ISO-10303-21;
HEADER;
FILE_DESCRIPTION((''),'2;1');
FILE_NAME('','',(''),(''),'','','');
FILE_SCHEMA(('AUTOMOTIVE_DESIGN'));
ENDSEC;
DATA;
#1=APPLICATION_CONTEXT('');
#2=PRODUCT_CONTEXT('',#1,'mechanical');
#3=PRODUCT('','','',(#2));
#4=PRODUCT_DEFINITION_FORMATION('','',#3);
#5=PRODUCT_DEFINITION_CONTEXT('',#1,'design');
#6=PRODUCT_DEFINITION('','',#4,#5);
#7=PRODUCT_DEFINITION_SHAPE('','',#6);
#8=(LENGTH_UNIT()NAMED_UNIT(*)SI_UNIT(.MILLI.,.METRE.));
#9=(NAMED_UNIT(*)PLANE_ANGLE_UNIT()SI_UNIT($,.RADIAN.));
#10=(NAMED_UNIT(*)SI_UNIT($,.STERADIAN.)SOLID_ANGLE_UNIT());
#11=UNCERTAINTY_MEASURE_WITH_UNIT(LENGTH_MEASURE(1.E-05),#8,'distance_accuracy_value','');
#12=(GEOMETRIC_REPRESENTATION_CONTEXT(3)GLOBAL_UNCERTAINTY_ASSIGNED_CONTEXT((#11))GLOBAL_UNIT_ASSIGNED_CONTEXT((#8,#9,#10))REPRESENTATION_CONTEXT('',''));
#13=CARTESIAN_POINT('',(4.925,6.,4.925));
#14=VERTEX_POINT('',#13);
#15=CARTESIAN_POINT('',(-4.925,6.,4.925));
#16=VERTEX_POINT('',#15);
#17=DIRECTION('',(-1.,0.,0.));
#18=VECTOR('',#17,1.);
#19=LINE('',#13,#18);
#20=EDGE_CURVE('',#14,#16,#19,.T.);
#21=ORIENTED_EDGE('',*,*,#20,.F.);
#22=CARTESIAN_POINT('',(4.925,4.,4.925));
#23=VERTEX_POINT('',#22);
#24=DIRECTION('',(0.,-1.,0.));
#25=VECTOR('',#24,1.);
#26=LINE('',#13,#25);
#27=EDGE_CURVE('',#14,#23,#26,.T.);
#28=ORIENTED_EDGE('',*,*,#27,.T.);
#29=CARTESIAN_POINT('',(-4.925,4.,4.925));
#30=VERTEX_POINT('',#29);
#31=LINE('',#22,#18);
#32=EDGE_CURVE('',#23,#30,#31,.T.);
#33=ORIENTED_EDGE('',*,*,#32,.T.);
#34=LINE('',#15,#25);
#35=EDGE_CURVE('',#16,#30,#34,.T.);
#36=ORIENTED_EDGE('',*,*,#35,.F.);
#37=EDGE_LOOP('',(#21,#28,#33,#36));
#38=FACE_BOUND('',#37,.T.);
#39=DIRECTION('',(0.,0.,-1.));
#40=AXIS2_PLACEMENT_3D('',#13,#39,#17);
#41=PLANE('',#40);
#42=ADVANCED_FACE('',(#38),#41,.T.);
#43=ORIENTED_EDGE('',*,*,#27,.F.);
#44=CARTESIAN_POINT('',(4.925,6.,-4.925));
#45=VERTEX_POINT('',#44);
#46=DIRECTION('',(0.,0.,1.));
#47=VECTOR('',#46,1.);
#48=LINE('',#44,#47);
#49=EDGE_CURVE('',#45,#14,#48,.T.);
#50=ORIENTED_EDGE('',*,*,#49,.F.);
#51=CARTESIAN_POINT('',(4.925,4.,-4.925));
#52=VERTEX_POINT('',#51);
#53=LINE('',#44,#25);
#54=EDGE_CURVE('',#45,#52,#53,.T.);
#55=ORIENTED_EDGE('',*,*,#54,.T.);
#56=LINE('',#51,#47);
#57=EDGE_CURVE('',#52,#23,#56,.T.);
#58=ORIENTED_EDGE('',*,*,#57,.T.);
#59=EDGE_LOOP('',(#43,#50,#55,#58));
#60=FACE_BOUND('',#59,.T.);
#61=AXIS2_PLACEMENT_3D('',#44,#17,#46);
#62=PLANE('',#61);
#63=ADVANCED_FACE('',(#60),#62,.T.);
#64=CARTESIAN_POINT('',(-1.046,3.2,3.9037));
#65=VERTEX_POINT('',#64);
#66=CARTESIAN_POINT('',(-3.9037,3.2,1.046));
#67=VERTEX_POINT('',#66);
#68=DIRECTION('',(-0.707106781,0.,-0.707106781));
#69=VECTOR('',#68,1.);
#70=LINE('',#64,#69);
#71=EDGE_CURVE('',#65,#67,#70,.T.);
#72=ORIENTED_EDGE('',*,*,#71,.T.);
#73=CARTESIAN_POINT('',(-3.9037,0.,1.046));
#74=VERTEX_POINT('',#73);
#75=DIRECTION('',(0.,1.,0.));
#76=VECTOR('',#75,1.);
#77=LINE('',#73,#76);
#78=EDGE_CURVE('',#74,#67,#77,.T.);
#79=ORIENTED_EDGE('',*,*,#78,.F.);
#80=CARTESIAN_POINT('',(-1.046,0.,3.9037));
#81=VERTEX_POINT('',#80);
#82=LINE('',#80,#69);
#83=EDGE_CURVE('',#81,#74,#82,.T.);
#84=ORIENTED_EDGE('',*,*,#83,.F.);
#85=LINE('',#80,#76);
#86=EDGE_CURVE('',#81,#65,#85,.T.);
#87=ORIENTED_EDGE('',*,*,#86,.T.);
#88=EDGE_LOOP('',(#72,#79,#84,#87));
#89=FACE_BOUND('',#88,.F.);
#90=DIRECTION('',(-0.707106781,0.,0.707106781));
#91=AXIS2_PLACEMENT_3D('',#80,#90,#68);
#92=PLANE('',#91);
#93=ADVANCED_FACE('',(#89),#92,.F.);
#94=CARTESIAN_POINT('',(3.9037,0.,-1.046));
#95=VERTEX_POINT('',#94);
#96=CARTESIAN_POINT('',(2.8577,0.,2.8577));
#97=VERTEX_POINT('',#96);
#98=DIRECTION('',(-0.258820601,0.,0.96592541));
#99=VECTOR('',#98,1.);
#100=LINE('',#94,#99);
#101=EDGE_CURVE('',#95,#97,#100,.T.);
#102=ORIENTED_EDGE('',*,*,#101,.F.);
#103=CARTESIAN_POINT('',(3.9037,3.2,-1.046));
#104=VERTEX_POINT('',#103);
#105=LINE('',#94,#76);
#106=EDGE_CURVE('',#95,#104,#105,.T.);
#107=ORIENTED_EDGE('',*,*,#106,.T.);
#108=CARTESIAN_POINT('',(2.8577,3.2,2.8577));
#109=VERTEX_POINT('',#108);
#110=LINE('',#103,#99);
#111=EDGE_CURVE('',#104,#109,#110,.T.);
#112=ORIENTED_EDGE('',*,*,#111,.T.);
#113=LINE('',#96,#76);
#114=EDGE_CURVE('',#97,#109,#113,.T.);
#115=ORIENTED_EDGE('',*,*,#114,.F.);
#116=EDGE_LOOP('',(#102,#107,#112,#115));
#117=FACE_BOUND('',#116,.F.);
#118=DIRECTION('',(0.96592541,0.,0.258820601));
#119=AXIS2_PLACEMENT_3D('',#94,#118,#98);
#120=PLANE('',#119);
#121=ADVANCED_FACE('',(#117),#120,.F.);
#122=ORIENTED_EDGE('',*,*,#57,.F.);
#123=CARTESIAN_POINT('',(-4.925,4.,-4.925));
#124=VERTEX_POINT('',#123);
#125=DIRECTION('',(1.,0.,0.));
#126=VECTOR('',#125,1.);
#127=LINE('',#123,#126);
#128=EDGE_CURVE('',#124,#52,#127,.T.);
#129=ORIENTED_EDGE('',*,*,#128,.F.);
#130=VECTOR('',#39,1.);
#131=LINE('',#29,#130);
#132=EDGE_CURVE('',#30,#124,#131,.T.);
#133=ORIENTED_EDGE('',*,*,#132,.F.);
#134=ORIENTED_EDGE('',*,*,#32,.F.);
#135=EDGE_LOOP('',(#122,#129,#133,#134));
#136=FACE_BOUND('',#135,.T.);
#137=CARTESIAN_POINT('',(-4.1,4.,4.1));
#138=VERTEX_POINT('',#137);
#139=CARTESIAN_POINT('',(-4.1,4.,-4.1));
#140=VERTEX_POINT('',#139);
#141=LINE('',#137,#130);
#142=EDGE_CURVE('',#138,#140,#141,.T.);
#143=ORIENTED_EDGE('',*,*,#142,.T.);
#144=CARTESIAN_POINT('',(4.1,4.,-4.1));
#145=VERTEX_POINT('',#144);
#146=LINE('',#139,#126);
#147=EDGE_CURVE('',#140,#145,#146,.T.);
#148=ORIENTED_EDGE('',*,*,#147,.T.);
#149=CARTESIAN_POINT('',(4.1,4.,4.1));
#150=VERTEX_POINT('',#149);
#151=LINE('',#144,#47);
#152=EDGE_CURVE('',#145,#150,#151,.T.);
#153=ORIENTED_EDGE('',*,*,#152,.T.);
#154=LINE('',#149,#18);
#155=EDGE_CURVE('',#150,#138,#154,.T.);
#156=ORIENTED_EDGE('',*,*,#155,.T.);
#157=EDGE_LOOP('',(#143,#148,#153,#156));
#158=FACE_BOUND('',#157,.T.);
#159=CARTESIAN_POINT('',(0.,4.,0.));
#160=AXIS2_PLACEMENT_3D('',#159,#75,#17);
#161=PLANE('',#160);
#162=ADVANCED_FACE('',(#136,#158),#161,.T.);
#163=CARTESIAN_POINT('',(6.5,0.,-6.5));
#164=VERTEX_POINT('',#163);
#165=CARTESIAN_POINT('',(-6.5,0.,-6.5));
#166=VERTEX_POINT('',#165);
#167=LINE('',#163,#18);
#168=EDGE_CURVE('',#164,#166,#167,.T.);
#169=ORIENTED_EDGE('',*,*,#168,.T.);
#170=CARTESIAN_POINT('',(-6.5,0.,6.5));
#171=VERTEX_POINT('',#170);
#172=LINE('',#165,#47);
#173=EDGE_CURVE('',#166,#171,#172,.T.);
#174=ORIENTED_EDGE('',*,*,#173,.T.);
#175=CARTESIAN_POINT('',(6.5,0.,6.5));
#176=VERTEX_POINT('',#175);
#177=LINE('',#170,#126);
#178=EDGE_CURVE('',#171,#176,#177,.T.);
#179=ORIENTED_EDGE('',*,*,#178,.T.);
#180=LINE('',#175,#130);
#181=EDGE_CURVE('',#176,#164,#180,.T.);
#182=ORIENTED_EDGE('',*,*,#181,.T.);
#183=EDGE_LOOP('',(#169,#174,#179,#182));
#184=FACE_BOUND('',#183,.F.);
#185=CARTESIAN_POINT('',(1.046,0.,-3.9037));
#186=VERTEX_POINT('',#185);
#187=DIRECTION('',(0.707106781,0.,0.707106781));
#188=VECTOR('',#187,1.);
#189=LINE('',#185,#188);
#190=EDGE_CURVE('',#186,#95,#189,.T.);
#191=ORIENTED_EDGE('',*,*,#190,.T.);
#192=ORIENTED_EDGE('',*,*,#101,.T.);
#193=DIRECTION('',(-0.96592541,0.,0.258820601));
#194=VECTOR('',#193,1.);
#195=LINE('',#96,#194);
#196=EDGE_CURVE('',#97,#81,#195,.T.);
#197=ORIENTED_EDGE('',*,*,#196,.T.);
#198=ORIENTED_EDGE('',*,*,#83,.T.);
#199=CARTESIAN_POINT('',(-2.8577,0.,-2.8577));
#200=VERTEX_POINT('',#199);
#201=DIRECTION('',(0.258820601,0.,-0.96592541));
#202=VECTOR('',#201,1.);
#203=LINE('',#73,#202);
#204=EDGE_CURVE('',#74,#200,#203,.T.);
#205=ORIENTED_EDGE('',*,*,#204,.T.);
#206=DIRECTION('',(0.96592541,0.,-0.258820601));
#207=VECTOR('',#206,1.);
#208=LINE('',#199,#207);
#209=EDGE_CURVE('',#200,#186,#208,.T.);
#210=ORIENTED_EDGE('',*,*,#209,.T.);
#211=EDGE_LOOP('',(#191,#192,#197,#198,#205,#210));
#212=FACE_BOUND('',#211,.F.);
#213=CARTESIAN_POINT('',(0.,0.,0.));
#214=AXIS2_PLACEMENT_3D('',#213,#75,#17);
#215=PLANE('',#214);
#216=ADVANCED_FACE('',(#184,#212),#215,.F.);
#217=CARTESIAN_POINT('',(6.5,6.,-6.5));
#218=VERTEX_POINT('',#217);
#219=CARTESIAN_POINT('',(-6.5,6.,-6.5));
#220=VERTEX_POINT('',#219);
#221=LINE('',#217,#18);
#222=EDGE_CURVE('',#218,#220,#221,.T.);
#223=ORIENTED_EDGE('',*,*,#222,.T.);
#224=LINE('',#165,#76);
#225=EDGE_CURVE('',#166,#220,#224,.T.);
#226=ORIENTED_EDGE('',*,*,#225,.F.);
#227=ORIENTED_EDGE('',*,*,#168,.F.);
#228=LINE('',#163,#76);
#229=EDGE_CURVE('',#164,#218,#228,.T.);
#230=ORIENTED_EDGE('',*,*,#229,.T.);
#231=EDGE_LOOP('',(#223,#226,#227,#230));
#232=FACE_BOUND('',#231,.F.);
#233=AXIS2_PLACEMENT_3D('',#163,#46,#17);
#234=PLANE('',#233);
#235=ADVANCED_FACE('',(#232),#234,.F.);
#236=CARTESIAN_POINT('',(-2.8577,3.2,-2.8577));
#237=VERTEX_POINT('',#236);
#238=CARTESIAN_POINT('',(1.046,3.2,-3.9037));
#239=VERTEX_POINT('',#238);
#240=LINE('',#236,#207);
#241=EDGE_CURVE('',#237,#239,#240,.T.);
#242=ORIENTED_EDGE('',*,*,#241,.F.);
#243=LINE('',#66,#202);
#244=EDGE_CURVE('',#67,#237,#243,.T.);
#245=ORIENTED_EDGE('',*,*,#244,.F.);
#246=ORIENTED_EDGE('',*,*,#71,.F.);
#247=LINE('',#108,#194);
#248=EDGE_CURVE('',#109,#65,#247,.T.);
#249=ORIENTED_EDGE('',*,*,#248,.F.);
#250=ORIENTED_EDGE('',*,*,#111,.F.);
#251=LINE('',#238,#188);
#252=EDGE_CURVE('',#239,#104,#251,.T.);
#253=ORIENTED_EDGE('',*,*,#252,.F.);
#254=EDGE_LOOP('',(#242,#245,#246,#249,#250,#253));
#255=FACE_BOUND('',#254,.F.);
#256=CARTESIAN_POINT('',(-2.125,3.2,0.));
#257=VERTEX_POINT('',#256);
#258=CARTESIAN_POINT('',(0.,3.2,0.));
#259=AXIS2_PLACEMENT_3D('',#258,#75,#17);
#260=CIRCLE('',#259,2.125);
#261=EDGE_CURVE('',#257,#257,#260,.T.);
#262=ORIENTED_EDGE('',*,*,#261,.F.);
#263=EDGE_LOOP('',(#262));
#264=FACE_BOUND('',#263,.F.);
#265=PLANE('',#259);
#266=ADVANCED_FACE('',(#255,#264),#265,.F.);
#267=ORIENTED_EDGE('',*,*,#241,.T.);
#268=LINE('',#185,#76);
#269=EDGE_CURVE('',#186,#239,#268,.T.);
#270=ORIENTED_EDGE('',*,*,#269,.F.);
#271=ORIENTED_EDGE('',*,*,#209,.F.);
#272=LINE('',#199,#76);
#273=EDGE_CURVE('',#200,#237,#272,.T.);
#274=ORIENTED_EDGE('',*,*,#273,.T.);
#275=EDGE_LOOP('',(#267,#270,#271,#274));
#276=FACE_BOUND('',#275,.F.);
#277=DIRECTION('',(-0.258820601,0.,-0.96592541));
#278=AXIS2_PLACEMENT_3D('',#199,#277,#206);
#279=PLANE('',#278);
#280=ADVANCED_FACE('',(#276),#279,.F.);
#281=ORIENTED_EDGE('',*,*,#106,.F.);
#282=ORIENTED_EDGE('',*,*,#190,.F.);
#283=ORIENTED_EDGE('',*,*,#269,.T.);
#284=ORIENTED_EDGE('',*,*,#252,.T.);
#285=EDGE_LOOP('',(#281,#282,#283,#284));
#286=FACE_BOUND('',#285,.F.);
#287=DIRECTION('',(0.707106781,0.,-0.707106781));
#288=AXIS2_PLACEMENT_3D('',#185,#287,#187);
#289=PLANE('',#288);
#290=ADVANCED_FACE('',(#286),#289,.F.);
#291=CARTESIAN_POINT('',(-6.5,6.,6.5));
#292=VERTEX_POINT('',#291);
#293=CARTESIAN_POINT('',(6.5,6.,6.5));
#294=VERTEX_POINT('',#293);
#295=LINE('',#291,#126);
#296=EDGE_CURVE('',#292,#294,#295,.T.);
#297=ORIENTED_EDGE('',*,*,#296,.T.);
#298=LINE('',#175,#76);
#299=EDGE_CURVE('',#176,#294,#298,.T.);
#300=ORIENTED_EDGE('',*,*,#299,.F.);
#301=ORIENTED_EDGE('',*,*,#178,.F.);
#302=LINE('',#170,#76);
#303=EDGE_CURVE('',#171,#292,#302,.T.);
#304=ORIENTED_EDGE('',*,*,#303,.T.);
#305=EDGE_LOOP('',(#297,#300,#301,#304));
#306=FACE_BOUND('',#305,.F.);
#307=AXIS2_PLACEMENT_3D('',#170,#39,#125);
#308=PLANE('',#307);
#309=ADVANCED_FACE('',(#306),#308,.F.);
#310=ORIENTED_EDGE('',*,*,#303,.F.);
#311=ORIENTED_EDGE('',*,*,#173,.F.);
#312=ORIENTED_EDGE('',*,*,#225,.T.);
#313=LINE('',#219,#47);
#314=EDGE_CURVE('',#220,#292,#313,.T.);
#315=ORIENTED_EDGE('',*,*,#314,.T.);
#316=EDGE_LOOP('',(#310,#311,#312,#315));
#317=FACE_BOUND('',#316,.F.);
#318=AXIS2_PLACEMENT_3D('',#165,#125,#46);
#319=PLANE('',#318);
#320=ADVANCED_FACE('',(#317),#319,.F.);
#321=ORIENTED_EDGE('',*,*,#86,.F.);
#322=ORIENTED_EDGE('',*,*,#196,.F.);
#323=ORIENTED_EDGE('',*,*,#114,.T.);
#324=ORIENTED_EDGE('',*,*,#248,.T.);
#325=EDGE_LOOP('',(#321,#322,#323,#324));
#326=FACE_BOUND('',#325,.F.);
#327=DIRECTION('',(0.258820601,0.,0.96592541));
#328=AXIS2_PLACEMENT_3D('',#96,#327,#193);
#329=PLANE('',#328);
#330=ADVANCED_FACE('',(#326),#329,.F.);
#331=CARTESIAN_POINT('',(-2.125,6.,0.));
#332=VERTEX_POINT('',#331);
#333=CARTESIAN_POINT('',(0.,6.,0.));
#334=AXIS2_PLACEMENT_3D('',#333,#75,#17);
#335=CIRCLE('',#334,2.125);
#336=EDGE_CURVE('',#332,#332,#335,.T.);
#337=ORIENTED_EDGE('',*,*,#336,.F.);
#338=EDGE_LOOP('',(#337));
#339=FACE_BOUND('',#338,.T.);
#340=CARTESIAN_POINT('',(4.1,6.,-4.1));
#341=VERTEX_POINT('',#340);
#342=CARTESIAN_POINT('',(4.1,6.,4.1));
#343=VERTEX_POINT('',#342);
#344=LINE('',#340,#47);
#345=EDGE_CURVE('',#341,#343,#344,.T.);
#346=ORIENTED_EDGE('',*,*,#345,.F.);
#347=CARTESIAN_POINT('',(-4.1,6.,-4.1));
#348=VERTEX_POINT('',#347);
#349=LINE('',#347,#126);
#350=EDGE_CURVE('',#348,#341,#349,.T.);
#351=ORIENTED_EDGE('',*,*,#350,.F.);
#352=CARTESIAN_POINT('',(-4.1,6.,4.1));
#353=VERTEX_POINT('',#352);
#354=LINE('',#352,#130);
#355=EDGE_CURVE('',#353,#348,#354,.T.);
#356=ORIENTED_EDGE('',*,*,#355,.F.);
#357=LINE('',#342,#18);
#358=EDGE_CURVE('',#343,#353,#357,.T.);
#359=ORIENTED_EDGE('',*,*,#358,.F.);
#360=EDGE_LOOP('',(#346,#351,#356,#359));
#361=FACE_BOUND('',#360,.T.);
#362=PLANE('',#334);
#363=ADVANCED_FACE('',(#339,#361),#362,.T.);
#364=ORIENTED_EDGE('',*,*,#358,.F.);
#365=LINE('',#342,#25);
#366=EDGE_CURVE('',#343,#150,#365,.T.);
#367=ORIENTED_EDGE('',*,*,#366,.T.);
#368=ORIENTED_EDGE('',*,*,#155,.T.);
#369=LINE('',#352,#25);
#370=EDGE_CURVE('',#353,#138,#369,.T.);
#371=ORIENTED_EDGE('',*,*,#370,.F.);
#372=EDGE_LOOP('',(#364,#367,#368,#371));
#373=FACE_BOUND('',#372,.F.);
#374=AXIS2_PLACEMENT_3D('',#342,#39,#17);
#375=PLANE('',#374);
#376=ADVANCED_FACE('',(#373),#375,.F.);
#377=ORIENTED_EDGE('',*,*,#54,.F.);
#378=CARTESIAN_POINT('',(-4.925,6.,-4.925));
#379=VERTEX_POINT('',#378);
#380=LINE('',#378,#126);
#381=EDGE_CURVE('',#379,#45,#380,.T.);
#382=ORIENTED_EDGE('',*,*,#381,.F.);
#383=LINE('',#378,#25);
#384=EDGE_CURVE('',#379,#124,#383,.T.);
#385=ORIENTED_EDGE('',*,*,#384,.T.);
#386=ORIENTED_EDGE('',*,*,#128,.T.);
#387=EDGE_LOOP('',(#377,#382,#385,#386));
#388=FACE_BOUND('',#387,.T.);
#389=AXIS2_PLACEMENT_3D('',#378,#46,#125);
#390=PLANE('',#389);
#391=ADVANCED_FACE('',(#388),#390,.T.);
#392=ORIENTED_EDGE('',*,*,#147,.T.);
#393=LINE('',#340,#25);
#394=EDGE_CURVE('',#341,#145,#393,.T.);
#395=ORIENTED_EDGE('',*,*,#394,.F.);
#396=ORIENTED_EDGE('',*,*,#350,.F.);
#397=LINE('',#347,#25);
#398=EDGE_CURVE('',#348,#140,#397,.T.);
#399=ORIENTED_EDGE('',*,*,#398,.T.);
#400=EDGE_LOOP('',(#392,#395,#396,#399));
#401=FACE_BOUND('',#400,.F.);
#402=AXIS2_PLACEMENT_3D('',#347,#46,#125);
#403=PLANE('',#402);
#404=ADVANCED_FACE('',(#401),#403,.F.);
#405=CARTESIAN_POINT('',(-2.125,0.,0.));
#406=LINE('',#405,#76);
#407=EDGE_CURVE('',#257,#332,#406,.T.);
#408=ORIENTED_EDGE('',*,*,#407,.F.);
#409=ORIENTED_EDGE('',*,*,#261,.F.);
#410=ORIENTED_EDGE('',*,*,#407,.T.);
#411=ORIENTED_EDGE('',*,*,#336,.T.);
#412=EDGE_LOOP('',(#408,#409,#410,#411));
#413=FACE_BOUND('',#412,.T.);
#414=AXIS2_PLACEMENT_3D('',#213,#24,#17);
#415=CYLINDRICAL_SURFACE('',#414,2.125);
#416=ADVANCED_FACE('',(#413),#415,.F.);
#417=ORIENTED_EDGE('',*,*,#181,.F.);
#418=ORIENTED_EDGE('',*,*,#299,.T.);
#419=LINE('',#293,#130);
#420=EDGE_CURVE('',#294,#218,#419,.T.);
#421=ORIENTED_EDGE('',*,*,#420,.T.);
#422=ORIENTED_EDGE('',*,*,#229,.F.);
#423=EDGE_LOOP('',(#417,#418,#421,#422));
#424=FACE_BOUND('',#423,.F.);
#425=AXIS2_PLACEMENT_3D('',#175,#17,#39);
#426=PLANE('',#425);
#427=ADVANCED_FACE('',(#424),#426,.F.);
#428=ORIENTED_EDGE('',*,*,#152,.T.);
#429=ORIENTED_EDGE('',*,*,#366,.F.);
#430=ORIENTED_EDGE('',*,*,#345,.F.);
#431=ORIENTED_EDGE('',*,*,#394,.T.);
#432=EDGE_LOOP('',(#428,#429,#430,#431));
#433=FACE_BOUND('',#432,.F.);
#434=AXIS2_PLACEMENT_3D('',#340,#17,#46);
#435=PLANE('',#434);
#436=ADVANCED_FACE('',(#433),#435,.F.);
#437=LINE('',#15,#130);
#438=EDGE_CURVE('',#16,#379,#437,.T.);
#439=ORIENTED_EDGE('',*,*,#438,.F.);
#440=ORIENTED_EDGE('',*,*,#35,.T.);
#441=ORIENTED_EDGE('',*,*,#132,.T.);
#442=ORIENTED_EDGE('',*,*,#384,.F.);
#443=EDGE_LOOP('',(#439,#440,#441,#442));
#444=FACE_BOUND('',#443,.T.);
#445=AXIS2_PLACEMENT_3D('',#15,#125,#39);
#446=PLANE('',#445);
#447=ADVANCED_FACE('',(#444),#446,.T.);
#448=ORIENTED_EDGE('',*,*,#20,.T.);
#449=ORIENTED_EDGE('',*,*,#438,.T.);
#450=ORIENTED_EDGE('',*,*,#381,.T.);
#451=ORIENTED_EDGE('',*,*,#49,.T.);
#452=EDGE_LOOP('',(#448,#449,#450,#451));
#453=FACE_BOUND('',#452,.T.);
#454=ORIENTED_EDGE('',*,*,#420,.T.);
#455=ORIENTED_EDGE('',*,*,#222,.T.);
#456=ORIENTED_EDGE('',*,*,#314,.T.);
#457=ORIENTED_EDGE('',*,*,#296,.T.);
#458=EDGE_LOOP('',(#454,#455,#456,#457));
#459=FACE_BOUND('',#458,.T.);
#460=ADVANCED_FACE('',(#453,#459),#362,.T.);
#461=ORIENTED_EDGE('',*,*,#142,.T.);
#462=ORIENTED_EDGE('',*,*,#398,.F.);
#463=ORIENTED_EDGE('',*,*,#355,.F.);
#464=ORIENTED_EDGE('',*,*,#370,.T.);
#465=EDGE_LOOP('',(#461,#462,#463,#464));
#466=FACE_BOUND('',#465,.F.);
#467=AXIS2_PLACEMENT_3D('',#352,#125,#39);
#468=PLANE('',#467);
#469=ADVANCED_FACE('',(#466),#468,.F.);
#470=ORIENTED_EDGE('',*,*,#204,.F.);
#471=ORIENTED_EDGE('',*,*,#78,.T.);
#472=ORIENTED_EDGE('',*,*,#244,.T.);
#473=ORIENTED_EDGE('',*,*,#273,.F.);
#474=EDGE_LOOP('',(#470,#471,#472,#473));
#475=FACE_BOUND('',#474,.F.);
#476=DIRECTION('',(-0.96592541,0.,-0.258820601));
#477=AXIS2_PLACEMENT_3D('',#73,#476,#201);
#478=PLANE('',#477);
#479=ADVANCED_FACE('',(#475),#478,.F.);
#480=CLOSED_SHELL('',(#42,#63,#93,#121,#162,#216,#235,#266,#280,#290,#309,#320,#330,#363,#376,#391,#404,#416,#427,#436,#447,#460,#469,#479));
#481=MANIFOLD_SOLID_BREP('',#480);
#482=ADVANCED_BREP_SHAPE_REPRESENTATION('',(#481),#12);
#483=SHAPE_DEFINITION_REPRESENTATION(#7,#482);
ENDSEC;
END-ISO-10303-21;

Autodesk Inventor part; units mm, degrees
ref_plane "YZ Plane" through (0, 0, 0) normal (1, 0, 0) x (0, 1, 0)
ref_plane "XY Plane" through (0, 0, 0) normal (0, 0, 1) x (1, 0, 0)
ref_plane "作業平面2" through (0, 6, 0) normal (0, 1, 0) x (-1, 0, 0)
sketch "スケッチ3" plane through (0, 6, 0) normal (0, 1, 0) x (-1, 0, 0)
  line L0 (4.1, -4.1) -> (-4.1, -4.1)
  line L1 (-4.1, -4.1) -> (-4.1, 4.1)
  line L2 (-4.1, 4.1) -> (4.1, 4.1)
  line L3 (4.1, 4.1) -> (4.1, -4.1)
  line L4 (4.1, -4.1) -> (-4.1, 4.1) construction
  line L5 (-4.1, -4.1) -> (4.1, 4.1) construction
  line L6 (4.925, -4.925) -> (-4.925, -4.925)
  line L7 (-4.925, -4.925) -> (-4.925, 4.925)
  line L8 (-4.925, 4.925) -> (4.925, 4.925)
  line L9 (4.925, 4.925) -> (4.925, -4.925)
  line L10 (4.925, -4.925) -> (-4.925, 4.925) construction
  line L11 (-4.925, -4.925) -> (4.925, 4.925) construction
  point P0 (0, 0)
  point P1 (0, 0)
  dimension "d19" = 8.2
  dimension "d20" = 8.2
  dimension "d21" = 9.85
  dimension "d22" = 9.85
sketch "スケッチ1" plane through (0, 0, 0) normal (0, 1, 0) x (-1, 0, 0)
  line L0 (6.5, -6.5) -> (-6.5, 6.5) construction
  line L1 (-6.5, -6.5) -> (6.5, 6.5) construction
  line L2 (1.046, 3.9037) -> (3.9037, 1.046)
  line L3 (3.9037, 1.046) -> (2.8577, -2.8577)
  line L4 (2.8577, -2.8577) -> (-1.046, -3.9037)
  line L5 (-1.046, -3.9037) -> (-3.9037, -1.046)
  line L6 (-3.9037, -1.046) -> (-2.8577, 2.8577)
  line L7 (-2.8577, 2.8577) -> (1.046, 3.9037)
  line L8 (-6.5, -6.5) -> (6.5, -6.5)
  line L9 (6.5, -6.5) -> (6.5, 6.5)
  line L10 (6.5, 6.5) -> (-6.5, 6.5)
  line L11 (-6.5, 6.5) -> (-6.5, -6.5)
  line L12 (-6.5, -6.5) -> (6.5, 6.5) construction
  line L13 (6.5, -6.5) -> (-6.5, 6.5) construction
  circle A0 centre (0, 0) radius 2.125
  dimension "d33" = 7
  dimension "d34" = 13
  dimension "d35" = 13
  dimension "d36" = 4.25
extrude "押し出し8" add sketch "スケッチ1" along normal blind 6 contours L2 L3 L4 L5 L6 L7 | L11 L10 L9 L8 | A0
extrude "押し出し9" cut sketch "スケッチ3" against normal blind 2
extrude "押し出し10" cut sketch "スケッチ1" along normal blind 3.2 contours L2 L3 L4 L5 L6 L7
extrude "押し出し11" cut sketch "スケッチ1" along normal blind 6 contours A0
properties part number "pin_joint_plastic_ver2"
